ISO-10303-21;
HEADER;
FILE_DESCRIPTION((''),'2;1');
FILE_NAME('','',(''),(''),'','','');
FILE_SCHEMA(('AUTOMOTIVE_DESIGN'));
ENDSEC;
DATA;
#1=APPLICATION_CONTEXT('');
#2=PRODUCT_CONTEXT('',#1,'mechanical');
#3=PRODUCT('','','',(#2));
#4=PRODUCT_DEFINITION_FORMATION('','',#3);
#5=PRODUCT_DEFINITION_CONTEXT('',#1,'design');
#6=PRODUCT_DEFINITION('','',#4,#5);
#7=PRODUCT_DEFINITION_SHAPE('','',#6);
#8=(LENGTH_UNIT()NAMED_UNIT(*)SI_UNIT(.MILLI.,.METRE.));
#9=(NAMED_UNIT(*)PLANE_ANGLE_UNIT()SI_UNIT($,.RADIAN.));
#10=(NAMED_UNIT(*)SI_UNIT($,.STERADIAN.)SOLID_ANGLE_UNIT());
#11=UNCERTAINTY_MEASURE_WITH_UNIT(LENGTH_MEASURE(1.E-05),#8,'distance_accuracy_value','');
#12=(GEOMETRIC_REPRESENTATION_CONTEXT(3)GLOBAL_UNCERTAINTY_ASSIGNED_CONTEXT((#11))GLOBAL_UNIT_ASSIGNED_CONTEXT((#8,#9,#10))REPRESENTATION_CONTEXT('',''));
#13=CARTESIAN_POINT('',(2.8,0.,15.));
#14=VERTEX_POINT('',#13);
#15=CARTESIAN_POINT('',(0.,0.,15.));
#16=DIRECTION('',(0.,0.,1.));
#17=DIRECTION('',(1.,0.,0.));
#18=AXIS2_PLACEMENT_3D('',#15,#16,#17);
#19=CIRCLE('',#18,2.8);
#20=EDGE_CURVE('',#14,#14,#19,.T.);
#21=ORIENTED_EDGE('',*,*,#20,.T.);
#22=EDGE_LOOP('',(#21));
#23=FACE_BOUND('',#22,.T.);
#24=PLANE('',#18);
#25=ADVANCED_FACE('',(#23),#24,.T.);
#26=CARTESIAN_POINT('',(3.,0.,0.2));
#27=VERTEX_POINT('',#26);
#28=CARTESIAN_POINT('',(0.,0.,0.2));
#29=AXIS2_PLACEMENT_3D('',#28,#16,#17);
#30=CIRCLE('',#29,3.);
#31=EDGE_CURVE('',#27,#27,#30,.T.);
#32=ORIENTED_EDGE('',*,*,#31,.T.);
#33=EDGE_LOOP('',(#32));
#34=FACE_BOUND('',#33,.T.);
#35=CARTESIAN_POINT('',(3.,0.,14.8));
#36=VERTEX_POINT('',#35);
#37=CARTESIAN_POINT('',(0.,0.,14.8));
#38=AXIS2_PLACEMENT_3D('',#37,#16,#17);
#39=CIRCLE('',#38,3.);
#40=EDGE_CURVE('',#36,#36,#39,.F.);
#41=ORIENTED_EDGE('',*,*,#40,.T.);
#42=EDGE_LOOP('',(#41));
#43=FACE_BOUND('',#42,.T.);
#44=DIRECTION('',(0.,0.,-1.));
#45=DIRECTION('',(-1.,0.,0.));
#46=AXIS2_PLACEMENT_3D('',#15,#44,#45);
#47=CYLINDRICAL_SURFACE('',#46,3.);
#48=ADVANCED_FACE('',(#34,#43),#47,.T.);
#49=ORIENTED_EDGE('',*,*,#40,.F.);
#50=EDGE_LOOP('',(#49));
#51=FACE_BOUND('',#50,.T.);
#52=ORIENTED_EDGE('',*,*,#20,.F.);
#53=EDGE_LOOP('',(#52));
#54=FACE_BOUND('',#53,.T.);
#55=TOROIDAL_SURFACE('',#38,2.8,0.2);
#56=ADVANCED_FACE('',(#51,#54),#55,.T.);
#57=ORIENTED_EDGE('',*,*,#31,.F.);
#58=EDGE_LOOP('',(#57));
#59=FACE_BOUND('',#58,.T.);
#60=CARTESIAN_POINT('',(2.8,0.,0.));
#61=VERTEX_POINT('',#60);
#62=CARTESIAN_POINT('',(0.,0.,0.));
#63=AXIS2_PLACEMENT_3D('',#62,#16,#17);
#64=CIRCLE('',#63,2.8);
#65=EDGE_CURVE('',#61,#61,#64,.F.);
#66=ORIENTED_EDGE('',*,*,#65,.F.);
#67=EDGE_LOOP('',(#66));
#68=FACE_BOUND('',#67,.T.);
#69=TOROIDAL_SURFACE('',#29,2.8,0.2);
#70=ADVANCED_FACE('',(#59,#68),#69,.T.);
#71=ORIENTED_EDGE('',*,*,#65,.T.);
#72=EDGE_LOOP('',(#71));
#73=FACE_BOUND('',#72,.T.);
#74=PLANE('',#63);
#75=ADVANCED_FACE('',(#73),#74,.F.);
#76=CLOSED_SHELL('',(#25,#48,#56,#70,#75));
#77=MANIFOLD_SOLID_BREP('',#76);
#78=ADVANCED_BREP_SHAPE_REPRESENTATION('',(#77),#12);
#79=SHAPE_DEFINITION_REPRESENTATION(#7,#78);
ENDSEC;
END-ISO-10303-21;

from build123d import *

# Parameters (mm, degrees)
SKETCH_1_R      = 3
EXTRUDE_1_DEPTH = 15
FILLET_1_R      = 0.2


with BuildPart() as part:
    # 스케치1 → 보스-돌출1 (new body)
    with BuildSketch(Plane.XY):
        Circle(SKETCH_1_R)
    extrude(amount=EXTRUDE_1_DEPTH)

    # 필렛1
    fillet_1_edges = [part.edges().sort_by_distance(p)[0] for p in [
        (-3, 0, 0),
        (-3, 0, 15),
    ]]
    fillet(fillet_1_edges, radius=FILLET_1_R)


solid = part.part
